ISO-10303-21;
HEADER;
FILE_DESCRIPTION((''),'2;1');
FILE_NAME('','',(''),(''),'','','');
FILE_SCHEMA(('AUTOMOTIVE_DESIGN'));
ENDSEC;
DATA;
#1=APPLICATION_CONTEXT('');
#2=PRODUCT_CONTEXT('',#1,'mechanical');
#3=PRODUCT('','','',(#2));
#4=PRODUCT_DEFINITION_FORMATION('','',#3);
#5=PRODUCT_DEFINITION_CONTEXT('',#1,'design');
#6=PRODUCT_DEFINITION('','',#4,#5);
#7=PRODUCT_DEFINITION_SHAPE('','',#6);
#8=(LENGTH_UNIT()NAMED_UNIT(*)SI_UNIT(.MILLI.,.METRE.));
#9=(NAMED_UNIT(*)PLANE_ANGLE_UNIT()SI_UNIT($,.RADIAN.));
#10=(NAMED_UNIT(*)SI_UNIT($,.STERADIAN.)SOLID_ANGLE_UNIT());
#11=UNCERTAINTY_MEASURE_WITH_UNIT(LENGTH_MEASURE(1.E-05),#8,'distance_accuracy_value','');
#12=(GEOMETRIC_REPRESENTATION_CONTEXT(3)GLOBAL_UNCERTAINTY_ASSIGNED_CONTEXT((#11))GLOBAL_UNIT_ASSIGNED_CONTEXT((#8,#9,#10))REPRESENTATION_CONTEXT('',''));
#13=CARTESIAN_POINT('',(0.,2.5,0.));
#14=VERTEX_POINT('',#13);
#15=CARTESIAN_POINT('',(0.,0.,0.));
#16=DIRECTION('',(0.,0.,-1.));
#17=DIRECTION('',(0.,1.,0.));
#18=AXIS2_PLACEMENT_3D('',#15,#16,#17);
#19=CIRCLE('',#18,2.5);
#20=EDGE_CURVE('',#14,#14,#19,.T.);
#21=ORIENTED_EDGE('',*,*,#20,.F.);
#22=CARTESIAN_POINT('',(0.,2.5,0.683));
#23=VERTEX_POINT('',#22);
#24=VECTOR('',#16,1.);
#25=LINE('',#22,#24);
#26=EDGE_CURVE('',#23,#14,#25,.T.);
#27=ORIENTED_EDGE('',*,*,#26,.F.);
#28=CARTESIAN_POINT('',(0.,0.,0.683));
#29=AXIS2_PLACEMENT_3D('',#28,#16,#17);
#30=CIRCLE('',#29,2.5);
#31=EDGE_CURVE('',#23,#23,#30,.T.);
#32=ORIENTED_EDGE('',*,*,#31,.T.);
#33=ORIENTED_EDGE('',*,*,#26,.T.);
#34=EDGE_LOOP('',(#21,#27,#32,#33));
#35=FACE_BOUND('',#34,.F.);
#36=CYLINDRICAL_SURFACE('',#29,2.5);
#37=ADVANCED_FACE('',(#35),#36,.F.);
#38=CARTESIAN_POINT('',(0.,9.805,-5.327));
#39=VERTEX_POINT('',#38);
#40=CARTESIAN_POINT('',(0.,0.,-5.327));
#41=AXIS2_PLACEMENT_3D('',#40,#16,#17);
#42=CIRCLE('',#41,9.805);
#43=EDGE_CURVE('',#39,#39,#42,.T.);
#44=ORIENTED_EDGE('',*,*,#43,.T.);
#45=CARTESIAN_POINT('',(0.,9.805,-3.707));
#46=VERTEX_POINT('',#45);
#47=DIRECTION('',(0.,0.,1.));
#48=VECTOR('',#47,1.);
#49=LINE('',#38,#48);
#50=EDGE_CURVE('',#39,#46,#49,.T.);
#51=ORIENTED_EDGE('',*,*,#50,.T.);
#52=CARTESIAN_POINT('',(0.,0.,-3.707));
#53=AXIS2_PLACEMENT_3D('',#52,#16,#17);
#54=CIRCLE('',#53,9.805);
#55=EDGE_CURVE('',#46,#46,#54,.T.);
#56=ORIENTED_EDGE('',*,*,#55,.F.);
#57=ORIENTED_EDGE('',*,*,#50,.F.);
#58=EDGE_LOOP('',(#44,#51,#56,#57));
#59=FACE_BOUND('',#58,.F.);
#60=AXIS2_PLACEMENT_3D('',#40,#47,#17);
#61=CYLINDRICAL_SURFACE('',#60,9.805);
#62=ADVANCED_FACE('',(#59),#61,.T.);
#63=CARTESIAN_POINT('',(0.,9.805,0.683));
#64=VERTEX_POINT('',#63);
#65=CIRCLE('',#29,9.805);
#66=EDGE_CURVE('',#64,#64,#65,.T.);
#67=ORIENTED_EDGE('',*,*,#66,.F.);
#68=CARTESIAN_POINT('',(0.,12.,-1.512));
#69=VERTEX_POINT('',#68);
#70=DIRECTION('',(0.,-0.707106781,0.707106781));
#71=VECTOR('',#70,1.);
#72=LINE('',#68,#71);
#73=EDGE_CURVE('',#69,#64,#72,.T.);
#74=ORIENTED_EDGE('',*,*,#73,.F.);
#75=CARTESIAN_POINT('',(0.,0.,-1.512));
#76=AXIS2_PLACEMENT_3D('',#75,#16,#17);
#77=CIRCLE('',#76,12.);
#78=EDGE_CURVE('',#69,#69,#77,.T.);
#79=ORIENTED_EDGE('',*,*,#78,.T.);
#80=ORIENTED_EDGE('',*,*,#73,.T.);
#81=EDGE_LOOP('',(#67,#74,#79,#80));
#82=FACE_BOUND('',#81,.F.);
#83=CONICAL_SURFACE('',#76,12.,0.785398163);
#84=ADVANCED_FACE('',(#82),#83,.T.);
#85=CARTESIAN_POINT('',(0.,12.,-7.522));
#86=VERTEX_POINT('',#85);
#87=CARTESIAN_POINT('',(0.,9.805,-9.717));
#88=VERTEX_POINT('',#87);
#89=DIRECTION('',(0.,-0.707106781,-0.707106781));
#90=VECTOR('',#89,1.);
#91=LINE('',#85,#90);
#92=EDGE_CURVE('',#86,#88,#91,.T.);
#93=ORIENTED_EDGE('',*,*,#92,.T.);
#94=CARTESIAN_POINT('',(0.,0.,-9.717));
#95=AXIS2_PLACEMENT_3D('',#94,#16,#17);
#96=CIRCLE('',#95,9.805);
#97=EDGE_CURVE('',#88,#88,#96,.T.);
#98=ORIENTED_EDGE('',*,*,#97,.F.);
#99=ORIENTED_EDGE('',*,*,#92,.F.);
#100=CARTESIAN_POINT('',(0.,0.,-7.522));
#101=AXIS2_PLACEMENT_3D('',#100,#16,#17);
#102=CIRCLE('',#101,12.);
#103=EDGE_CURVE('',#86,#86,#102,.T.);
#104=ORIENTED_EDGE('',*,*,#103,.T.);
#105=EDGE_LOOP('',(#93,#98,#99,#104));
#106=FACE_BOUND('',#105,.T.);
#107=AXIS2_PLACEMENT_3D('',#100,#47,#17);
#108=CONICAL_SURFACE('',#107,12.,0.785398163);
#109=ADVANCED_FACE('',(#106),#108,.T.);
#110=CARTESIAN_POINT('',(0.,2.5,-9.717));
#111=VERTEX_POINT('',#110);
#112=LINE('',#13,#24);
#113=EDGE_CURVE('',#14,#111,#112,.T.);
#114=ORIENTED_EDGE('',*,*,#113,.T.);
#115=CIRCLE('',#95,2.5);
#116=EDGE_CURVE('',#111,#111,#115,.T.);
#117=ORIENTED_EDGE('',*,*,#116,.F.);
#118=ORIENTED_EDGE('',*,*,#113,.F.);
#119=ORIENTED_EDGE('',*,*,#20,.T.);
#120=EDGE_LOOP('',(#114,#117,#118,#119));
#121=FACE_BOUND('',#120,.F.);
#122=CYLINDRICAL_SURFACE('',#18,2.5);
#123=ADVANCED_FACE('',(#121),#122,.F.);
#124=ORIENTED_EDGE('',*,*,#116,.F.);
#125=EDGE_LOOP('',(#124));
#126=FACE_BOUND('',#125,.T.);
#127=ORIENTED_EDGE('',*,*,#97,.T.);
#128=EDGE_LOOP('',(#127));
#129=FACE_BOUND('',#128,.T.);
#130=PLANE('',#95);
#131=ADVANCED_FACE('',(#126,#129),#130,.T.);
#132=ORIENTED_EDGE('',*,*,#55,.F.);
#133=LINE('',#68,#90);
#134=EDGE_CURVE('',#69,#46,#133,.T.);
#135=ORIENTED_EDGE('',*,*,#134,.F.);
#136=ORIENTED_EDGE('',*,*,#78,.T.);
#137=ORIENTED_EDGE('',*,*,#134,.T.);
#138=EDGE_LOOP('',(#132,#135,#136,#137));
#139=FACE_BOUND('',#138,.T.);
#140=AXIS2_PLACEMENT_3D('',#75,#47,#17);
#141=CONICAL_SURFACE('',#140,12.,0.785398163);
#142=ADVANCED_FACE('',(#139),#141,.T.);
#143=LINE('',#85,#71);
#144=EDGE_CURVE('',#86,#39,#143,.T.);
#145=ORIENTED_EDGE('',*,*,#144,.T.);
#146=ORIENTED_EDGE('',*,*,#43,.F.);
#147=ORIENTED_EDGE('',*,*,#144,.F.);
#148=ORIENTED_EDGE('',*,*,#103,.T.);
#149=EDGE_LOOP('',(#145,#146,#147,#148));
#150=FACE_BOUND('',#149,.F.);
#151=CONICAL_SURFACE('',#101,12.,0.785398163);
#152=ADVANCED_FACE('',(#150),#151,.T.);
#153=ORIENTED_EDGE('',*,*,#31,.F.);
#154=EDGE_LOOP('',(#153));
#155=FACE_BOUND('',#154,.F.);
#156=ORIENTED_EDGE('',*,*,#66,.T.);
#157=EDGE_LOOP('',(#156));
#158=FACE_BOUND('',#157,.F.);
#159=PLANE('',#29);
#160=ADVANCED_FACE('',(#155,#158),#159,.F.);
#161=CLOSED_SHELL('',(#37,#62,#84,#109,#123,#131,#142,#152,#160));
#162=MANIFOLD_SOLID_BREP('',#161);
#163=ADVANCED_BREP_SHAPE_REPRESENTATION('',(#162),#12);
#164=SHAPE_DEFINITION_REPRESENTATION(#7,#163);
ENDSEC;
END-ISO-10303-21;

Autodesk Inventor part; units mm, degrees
ref_plane "YZ Plane" through (0, 0, 0) normal (1, 0, 0) x (0, 1, 0)
ref_plane "XZ Plane" through (0, 0, 0) normal (0, 1, 0) x (-1, 0, 0)
ref_plane "XY Plane" through (0, 0, 0) normal (0, 0, 1) x (1, 0, 0)
sketch "Sketch1" plane through (0, 0, 0) normal (1, 0, 0) x (0, 1, 0)
  line L0 (0, 0) -> (0, -15.044)
  line L1 (2.5, 0) -> (2.5, -12.9861)
  line L2 (0, -7.522) -> (12, -7.522) construction
  line L3 (0, -1.512) -> (12, -1.512) construction
  line L4 (12, -1.512) -> (9.805, 0.683)
  line L5 (12, -7.522) -> (9.805, -9.717)
  line L6 (12, -1.512) -> (9.805, -3.707)
  line L7 (12, -7.522) -> (9.805, -5.327)
  line L8 (9.805, -5.327) -> (9.805, -3.707)
  line L9 (9.805, 0.683) -> (2.5, 0.683)
  line L10 (2.5, 0.683) -> (2.5, 0)
  line L11 (9.805, -9.717) -> (2.5, -9.717)
  dimension "d0" = 2.5
  dimension "d1" = 12
  dimension "d2" = 6.01
  dimension "d3" = 45
  dimension "d4" = 0
  dimension "d5" = 10.4
revolve "Revolution1" add sketch "Sketch1" angle 360 about axis through (0, 0, 0) along (0, 0, -1)
properties part number "bearingType2Standin"
